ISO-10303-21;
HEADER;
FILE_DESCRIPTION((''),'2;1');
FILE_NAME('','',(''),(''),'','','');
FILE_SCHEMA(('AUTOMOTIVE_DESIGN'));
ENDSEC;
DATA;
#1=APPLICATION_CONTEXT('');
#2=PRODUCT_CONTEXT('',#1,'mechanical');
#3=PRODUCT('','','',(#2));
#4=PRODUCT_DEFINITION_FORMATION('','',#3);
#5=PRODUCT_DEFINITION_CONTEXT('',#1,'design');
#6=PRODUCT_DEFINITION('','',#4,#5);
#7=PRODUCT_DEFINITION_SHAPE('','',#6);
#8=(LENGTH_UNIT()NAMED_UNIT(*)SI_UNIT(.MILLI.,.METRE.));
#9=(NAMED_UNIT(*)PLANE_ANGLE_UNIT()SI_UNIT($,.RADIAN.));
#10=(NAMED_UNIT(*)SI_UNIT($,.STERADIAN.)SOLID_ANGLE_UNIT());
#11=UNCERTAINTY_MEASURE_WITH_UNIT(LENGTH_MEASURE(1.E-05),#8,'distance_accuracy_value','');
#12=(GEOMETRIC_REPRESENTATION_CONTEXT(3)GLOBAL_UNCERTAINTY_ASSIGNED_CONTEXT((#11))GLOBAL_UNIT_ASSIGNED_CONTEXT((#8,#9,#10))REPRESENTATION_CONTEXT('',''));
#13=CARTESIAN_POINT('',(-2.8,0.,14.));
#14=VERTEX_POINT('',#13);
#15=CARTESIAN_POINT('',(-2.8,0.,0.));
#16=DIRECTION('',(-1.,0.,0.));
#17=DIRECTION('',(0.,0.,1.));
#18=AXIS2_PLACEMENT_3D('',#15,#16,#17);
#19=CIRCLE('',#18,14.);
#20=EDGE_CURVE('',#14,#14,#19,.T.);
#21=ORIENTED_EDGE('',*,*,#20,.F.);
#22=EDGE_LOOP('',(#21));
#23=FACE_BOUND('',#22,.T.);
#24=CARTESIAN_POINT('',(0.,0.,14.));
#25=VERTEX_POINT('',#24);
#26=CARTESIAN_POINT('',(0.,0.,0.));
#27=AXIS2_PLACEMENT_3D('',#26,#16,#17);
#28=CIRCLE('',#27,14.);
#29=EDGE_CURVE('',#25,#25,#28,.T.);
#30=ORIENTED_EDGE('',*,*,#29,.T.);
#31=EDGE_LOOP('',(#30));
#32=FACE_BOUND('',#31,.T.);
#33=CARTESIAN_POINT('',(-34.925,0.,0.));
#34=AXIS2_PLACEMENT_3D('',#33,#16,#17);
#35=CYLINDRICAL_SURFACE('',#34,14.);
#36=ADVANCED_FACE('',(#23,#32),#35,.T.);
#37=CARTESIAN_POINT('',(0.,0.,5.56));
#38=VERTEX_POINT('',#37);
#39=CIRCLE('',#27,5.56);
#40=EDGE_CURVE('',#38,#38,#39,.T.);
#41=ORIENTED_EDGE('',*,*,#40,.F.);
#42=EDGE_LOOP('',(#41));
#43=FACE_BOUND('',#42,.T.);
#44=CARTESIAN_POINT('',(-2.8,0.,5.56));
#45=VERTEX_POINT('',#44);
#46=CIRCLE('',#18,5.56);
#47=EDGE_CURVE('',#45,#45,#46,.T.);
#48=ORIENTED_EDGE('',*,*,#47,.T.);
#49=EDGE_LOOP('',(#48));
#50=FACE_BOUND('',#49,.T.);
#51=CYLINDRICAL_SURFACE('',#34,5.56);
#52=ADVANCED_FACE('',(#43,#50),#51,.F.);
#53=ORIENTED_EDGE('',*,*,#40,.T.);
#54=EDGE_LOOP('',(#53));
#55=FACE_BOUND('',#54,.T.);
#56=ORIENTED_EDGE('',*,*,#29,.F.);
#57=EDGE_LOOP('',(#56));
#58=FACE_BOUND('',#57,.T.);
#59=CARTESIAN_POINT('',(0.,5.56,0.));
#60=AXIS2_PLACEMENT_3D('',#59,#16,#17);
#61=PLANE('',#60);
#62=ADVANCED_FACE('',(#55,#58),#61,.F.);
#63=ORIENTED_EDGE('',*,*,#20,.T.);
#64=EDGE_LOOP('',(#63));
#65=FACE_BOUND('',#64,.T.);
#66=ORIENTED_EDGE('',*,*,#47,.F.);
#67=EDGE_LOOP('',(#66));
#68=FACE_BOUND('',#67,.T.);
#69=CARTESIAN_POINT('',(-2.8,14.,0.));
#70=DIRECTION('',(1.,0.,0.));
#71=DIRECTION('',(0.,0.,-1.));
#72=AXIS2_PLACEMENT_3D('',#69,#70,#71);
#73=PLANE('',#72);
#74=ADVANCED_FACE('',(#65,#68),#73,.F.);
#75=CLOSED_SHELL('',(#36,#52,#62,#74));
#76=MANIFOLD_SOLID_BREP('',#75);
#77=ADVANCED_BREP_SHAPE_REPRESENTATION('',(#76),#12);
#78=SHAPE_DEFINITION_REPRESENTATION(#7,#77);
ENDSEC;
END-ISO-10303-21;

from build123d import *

# Parameters (mm, degrees)
SKETCH1_W = 2.8
SKETCH1_H = 8.44


with BuildPart() as part:
    # Sketch1 → Base-Revolve (revolve)
    with BuildSketch(Plane.XY, mode=Mode.PRIVATE) as base_revolve_sk:
        with Locations((-1.4, 9.78)):
            Rectangle(SKETCH1_W, SKETCH1_H)
    revolve(base_revolve_sk.sketch.rotate(Axis((-34.925, 0, 0), (1, 0, 0)), 90), axis=Axis((-34.925, 0, 0), (1, 0, 0)))


solid = part.part
